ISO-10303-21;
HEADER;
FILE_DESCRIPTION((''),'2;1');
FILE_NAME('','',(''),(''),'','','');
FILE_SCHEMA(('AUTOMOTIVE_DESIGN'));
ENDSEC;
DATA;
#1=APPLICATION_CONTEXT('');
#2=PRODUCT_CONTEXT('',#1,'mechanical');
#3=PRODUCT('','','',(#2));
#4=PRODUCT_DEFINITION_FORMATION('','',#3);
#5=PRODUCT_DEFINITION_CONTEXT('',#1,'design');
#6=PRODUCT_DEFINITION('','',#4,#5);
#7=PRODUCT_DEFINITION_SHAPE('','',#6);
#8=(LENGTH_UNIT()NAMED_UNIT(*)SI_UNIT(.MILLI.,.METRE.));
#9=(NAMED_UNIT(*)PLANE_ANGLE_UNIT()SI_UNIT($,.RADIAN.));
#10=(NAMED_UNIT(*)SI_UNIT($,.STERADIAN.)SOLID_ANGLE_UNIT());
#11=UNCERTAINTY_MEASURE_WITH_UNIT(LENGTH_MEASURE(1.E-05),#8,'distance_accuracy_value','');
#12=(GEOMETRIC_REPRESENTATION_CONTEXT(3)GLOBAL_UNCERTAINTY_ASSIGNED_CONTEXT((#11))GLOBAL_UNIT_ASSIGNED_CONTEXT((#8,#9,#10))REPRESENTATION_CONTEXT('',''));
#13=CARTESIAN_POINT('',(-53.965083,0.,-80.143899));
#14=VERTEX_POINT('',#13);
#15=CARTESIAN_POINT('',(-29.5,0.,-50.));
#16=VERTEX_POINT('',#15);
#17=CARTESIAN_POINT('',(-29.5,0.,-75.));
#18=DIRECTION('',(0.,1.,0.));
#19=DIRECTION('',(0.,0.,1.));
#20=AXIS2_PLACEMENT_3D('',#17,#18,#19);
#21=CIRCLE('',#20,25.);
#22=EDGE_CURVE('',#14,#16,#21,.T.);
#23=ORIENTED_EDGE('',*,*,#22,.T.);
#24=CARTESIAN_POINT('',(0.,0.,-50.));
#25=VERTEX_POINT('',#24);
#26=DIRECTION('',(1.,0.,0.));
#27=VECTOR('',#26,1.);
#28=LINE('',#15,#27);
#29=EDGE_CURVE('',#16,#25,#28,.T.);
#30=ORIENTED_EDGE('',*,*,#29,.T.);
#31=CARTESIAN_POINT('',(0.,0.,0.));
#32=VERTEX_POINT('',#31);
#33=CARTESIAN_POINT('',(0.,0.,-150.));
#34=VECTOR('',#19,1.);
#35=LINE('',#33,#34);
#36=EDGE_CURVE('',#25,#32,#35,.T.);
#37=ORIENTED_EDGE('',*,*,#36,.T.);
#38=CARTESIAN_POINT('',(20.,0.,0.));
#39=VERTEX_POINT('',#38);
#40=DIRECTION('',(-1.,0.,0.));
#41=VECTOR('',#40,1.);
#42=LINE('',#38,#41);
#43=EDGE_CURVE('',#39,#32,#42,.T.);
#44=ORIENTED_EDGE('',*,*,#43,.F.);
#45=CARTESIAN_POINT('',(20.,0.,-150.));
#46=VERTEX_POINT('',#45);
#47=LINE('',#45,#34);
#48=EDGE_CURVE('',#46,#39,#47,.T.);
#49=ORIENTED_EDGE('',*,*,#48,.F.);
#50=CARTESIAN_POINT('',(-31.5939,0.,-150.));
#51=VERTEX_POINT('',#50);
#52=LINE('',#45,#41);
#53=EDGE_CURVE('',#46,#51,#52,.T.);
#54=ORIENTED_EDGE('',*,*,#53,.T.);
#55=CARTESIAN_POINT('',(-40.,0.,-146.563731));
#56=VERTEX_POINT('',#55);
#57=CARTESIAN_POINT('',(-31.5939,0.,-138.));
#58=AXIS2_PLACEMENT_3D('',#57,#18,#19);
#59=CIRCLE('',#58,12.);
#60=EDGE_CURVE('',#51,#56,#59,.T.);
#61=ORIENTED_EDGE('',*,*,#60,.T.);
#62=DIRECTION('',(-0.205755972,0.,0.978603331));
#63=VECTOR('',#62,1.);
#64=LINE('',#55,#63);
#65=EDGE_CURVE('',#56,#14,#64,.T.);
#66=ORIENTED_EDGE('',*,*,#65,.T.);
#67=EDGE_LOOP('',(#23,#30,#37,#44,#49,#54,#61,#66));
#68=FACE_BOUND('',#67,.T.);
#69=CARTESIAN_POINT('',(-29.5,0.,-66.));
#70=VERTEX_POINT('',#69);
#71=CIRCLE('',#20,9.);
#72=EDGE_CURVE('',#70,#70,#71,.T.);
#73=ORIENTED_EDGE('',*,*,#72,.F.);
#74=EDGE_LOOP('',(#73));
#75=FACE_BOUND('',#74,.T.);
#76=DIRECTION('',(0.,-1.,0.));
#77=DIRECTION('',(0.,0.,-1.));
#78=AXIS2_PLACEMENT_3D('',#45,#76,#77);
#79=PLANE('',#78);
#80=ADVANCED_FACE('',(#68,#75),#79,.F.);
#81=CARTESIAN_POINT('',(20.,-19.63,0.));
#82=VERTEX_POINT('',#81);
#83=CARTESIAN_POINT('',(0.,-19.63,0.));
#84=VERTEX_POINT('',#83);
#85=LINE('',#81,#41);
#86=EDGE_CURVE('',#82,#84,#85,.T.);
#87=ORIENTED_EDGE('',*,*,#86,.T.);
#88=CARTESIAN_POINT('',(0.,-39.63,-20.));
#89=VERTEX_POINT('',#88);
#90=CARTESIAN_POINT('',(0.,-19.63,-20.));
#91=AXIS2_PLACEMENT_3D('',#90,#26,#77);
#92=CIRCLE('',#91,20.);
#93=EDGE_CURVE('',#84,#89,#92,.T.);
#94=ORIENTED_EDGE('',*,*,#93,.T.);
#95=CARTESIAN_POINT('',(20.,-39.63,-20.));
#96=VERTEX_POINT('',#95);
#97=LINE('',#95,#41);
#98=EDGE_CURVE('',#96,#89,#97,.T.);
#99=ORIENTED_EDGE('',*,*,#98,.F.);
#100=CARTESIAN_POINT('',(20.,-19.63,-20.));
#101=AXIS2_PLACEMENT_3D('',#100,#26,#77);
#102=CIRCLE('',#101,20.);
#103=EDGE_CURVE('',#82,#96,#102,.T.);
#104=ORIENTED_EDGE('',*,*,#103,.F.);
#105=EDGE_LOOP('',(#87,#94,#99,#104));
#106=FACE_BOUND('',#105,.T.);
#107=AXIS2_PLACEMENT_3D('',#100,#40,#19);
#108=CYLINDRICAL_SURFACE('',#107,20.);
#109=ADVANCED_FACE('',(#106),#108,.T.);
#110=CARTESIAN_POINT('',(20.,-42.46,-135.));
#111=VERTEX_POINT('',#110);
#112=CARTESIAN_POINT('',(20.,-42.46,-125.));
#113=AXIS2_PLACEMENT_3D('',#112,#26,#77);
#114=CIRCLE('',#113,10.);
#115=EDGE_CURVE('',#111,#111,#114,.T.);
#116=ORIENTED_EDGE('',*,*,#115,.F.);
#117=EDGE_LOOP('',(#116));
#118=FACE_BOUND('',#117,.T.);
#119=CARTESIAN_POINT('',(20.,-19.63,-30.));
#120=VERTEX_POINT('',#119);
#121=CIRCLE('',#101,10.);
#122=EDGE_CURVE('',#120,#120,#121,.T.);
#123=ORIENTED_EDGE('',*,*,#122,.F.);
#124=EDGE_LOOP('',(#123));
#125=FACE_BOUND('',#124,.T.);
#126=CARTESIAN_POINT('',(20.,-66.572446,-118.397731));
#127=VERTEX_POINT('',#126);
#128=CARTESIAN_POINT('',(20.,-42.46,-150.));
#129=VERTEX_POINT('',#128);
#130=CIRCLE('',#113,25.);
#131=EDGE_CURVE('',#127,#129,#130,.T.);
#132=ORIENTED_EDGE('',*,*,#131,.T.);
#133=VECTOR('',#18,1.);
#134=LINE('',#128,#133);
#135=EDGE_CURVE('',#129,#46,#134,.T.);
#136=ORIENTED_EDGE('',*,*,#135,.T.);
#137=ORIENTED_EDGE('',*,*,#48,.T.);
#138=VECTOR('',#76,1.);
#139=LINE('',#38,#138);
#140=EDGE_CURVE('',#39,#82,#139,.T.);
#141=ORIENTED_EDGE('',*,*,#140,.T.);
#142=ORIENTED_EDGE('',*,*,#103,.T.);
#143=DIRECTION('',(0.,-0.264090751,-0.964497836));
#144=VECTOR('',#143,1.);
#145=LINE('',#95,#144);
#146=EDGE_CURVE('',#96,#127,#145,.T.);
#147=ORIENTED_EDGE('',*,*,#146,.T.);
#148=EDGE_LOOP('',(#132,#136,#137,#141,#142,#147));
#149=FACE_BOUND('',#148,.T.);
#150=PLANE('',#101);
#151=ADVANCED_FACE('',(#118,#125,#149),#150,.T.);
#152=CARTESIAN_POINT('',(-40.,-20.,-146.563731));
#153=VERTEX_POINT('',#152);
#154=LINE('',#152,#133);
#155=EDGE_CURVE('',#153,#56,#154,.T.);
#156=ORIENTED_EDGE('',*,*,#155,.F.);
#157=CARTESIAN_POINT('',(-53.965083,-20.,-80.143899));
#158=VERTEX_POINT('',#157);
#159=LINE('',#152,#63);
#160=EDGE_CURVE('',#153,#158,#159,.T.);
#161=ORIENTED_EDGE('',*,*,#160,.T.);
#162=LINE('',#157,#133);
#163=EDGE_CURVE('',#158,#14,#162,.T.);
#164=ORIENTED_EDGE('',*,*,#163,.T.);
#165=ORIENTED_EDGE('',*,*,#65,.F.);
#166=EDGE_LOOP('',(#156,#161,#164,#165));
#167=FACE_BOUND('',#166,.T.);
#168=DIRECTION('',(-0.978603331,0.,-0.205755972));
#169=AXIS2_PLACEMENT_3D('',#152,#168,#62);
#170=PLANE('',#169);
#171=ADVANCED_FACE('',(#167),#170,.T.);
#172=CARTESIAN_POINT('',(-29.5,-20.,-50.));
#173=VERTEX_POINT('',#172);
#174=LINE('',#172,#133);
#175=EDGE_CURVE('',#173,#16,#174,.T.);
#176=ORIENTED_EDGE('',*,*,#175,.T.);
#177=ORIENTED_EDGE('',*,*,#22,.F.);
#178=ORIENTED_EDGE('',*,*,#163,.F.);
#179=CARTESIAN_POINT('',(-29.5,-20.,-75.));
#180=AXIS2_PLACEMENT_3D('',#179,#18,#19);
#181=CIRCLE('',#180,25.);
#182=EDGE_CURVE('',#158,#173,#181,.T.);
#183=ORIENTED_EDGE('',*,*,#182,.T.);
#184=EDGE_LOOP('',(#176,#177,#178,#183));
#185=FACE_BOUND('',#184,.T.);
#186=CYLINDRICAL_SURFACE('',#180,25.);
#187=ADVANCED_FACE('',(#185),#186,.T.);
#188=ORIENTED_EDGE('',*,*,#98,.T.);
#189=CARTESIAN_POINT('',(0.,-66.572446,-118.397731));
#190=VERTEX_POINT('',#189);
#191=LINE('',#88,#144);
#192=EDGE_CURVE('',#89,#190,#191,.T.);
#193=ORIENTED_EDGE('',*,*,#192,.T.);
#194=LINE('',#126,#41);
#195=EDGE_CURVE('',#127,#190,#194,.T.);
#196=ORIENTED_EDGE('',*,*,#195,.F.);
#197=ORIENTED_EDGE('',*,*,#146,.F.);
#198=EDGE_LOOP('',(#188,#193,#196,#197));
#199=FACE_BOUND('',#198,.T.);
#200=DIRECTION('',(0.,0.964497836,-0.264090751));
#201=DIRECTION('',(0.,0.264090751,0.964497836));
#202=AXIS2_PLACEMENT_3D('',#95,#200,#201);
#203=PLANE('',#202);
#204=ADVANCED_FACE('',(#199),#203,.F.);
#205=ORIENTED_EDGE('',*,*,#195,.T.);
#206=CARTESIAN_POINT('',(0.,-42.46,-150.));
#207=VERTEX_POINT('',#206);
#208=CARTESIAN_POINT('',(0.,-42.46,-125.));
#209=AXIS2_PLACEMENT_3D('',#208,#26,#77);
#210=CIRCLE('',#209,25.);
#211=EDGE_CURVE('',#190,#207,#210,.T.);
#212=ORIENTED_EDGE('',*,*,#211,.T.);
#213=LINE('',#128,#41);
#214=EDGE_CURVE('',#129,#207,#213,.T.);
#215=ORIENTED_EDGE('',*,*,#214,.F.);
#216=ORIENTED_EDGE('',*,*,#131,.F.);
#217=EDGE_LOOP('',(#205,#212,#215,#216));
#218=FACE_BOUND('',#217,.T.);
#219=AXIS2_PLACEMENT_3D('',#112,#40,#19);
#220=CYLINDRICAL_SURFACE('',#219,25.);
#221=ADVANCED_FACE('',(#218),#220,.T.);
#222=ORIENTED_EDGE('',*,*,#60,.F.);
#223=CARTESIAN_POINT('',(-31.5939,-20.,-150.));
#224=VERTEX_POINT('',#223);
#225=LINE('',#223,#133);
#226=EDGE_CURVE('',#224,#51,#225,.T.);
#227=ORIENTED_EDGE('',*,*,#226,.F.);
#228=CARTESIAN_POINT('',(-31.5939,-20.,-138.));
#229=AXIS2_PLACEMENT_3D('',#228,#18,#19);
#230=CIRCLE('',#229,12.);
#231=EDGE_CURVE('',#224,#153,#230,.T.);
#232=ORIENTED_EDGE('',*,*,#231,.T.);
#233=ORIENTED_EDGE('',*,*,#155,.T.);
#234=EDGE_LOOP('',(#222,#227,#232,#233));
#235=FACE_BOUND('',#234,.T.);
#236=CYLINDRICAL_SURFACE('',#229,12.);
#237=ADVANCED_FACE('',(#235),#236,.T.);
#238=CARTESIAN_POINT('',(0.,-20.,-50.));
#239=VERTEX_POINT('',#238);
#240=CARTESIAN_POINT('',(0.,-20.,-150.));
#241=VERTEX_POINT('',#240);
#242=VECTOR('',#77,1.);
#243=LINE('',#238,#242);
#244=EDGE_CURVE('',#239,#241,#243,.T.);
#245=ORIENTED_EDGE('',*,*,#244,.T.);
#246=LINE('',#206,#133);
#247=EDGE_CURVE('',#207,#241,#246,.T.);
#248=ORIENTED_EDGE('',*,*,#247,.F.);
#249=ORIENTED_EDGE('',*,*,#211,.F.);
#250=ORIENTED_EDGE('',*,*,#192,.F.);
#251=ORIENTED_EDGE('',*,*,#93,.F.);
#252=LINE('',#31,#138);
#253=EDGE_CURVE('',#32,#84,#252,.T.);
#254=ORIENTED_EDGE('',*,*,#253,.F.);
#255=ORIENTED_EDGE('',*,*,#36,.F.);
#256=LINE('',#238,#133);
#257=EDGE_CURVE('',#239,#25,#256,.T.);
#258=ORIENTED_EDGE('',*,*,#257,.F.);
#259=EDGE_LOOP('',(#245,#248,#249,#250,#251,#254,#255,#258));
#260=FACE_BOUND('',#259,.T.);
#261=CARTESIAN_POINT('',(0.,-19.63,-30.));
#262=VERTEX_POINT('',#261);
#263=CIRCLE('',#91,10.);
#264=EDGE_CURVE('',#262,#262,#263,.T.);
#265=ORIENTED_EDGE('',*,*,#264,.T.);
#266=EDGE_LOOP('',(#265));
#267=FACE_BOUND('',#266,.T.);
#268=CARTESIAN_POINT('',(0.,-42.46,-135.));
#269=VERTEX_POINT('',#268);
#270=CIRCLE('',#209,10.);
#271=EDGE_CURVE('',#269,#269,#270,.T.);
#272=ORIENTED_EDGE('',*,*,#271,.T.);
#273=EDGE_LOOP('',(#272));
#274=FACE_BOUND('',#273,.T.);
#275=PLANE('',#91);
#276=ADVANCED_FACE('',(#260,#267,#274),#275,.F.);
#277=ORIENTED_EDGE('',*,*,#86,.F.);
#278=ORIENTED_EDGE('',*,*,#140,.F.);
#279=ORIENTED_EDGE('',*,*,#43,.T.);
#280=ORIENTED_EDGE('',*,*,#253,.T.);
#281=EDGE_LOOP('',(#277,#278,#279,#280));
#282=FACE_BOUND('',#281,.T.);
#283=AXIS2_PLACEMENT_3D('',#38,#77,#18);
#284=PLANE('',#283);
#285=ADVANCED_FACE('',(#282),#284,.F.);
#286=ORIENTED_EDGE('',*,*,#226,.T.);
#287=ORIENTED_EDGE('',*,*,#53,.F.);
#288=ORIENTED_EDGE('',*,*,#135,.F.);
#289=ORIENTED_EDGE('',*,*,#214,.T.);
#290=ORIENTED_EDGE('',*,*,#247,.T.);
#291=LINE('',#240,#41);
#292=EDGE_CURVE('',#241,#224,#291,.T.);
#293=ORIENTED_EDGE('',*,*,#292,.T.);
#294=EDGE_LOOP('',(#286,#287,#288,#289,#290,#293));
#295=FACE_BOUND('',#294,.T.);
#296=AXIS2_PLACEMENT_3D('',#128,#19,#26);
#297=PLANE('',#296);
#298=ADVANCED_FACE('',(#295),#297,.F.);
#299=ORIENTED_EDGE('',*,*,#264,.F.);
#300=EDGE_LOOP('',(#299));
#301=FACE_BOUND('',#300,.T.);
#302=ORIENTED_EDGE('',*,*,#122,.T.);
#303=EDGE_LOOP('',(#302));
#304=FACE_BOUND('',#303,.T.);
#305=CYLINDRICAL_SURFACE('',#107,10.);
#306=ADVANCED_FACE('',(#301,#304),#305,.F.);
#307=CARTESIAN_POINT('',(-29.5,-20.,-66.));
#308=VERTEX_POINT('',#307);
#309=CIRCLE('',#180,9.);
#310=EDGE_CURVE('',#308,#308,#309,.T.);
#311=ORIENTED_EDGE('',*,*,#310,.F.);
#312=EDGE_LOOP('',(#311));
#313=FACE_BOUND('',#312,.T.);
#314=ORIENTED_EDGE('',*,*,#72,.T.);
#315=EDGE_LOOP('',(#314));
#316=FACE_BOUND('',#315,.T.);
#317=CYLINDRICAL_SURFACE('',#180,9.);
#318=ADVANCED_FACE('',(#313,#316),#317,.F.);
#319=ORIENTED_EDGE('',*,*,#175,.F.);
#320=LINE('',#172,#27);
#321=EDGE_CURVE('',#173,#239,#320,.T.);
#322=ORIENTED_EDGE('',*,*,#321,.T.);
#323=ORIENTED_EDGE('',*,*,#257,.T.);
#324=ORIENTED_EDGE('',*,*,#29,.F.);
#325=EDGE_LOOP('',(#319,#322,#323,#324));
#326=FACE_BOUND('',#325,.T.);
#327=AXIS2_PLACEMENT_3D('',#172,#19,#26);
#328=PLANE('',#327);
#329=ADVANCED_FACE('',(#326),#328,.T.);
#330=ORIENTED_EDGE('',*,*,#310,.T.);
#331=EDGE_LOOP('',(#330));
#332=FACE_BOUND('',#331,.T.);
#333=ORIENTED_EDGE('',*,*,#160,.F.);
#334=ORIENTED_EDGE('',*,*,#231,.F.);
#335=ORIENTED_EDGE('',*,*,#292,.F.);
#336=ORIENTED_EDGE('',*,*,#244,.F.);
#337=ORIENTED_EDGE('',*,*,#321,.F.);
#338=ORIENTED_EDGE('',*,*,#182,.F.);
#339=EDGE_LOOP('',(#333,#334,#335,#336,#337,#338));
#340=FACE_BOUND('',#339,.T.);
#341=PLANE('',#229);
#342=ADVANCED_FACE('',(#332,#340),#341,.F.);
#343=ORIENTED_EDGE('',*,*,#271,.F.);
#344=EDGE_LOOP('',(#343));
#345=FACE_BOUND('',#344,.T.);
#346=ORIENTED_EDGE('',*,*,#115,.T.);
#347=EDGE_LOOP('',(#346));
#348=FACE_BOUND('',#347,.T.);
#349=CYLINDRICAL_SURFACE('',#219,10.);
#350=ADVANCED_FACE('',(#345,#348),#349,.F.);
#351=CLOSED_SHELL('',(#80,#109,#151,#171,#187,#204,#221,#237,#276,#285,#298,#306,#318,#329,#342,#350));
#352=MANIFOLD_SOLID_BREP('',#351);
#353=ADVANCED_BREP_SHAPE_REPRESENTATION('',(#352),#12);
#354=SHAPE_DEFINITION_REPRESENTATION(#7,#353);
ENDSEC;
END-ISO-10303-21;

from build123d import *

# Parameters (mm, degrees)
SKETCH1_R           = 10
BOSS_EXTRUDE1_DEPTH = 20
SKETCH2_R           = 9
BOSS_EXTRUDE2_DEPTH = 20


with BuildPart() as part:
    # Sketch1 → Boss-Extrude1 (new body)
    with BuildSketch(Plane(origin=(0, 0, 0), x_dir=(0, 0, -1), z_dir=(1, 0, 0))):
        with BuildLine():
            Line((0, 0), (0, -19.63))
            ThreePointArc((0, -19.63), (5.857864376, -33.772135624), (20, -39.63))
            Line((20, -39.63), (118.39773122, -66.572445893))
            ThreePointArc((118.39773122, -66.572445893), (140.164815866, -62.335320368), (150, -42.46))
            Line((150, -42.46), (150, 0))
            Line((150, 0), (0, 0))
        make_face()
        with Locations((20, -19.63)):
            Circle(SKETCH1_R, mode=Mode.SUBTRACT)
        with Locations((125, -42.46)):
            Circle(SKETCH1_R, mode=Mode.SUBTRACT)
    extrude(amount=BOSS_EXTRUDE1_DEPTH)

    # Sketch2 → Boss-Extrude2 (add)
    with BuildSketch(Plane(origin=(0, 0, 0), x_dir=(1, 0, 0), z_dir=(0, 1, 0))):
        with BuildLine():
            Line((0, 150), (-31.593900405, 150))
            ThreePointArc((-31.593900405, 150), (-36.134562655, 149.107762436), (-40, 146.563731056))
            Line((-40, 146.563731056), (-53.965083284, 80.143899292))
            ThreePointArc((-53.965083284, 80.143899292), (-48.911304468, 59.245595573), (-29.5, 50))
            Line((-29.5, 50), (0, 50))
            Line((0, 50), (0, 150))
        make_face()
        with Locations((-29.5, 75)):
            Circle(SKETCH2_R, mode=Mode.SUBTRACT)
    extrude(amount=-BOSS_EXTRUDE2_DEPTH)


solid = part.part
